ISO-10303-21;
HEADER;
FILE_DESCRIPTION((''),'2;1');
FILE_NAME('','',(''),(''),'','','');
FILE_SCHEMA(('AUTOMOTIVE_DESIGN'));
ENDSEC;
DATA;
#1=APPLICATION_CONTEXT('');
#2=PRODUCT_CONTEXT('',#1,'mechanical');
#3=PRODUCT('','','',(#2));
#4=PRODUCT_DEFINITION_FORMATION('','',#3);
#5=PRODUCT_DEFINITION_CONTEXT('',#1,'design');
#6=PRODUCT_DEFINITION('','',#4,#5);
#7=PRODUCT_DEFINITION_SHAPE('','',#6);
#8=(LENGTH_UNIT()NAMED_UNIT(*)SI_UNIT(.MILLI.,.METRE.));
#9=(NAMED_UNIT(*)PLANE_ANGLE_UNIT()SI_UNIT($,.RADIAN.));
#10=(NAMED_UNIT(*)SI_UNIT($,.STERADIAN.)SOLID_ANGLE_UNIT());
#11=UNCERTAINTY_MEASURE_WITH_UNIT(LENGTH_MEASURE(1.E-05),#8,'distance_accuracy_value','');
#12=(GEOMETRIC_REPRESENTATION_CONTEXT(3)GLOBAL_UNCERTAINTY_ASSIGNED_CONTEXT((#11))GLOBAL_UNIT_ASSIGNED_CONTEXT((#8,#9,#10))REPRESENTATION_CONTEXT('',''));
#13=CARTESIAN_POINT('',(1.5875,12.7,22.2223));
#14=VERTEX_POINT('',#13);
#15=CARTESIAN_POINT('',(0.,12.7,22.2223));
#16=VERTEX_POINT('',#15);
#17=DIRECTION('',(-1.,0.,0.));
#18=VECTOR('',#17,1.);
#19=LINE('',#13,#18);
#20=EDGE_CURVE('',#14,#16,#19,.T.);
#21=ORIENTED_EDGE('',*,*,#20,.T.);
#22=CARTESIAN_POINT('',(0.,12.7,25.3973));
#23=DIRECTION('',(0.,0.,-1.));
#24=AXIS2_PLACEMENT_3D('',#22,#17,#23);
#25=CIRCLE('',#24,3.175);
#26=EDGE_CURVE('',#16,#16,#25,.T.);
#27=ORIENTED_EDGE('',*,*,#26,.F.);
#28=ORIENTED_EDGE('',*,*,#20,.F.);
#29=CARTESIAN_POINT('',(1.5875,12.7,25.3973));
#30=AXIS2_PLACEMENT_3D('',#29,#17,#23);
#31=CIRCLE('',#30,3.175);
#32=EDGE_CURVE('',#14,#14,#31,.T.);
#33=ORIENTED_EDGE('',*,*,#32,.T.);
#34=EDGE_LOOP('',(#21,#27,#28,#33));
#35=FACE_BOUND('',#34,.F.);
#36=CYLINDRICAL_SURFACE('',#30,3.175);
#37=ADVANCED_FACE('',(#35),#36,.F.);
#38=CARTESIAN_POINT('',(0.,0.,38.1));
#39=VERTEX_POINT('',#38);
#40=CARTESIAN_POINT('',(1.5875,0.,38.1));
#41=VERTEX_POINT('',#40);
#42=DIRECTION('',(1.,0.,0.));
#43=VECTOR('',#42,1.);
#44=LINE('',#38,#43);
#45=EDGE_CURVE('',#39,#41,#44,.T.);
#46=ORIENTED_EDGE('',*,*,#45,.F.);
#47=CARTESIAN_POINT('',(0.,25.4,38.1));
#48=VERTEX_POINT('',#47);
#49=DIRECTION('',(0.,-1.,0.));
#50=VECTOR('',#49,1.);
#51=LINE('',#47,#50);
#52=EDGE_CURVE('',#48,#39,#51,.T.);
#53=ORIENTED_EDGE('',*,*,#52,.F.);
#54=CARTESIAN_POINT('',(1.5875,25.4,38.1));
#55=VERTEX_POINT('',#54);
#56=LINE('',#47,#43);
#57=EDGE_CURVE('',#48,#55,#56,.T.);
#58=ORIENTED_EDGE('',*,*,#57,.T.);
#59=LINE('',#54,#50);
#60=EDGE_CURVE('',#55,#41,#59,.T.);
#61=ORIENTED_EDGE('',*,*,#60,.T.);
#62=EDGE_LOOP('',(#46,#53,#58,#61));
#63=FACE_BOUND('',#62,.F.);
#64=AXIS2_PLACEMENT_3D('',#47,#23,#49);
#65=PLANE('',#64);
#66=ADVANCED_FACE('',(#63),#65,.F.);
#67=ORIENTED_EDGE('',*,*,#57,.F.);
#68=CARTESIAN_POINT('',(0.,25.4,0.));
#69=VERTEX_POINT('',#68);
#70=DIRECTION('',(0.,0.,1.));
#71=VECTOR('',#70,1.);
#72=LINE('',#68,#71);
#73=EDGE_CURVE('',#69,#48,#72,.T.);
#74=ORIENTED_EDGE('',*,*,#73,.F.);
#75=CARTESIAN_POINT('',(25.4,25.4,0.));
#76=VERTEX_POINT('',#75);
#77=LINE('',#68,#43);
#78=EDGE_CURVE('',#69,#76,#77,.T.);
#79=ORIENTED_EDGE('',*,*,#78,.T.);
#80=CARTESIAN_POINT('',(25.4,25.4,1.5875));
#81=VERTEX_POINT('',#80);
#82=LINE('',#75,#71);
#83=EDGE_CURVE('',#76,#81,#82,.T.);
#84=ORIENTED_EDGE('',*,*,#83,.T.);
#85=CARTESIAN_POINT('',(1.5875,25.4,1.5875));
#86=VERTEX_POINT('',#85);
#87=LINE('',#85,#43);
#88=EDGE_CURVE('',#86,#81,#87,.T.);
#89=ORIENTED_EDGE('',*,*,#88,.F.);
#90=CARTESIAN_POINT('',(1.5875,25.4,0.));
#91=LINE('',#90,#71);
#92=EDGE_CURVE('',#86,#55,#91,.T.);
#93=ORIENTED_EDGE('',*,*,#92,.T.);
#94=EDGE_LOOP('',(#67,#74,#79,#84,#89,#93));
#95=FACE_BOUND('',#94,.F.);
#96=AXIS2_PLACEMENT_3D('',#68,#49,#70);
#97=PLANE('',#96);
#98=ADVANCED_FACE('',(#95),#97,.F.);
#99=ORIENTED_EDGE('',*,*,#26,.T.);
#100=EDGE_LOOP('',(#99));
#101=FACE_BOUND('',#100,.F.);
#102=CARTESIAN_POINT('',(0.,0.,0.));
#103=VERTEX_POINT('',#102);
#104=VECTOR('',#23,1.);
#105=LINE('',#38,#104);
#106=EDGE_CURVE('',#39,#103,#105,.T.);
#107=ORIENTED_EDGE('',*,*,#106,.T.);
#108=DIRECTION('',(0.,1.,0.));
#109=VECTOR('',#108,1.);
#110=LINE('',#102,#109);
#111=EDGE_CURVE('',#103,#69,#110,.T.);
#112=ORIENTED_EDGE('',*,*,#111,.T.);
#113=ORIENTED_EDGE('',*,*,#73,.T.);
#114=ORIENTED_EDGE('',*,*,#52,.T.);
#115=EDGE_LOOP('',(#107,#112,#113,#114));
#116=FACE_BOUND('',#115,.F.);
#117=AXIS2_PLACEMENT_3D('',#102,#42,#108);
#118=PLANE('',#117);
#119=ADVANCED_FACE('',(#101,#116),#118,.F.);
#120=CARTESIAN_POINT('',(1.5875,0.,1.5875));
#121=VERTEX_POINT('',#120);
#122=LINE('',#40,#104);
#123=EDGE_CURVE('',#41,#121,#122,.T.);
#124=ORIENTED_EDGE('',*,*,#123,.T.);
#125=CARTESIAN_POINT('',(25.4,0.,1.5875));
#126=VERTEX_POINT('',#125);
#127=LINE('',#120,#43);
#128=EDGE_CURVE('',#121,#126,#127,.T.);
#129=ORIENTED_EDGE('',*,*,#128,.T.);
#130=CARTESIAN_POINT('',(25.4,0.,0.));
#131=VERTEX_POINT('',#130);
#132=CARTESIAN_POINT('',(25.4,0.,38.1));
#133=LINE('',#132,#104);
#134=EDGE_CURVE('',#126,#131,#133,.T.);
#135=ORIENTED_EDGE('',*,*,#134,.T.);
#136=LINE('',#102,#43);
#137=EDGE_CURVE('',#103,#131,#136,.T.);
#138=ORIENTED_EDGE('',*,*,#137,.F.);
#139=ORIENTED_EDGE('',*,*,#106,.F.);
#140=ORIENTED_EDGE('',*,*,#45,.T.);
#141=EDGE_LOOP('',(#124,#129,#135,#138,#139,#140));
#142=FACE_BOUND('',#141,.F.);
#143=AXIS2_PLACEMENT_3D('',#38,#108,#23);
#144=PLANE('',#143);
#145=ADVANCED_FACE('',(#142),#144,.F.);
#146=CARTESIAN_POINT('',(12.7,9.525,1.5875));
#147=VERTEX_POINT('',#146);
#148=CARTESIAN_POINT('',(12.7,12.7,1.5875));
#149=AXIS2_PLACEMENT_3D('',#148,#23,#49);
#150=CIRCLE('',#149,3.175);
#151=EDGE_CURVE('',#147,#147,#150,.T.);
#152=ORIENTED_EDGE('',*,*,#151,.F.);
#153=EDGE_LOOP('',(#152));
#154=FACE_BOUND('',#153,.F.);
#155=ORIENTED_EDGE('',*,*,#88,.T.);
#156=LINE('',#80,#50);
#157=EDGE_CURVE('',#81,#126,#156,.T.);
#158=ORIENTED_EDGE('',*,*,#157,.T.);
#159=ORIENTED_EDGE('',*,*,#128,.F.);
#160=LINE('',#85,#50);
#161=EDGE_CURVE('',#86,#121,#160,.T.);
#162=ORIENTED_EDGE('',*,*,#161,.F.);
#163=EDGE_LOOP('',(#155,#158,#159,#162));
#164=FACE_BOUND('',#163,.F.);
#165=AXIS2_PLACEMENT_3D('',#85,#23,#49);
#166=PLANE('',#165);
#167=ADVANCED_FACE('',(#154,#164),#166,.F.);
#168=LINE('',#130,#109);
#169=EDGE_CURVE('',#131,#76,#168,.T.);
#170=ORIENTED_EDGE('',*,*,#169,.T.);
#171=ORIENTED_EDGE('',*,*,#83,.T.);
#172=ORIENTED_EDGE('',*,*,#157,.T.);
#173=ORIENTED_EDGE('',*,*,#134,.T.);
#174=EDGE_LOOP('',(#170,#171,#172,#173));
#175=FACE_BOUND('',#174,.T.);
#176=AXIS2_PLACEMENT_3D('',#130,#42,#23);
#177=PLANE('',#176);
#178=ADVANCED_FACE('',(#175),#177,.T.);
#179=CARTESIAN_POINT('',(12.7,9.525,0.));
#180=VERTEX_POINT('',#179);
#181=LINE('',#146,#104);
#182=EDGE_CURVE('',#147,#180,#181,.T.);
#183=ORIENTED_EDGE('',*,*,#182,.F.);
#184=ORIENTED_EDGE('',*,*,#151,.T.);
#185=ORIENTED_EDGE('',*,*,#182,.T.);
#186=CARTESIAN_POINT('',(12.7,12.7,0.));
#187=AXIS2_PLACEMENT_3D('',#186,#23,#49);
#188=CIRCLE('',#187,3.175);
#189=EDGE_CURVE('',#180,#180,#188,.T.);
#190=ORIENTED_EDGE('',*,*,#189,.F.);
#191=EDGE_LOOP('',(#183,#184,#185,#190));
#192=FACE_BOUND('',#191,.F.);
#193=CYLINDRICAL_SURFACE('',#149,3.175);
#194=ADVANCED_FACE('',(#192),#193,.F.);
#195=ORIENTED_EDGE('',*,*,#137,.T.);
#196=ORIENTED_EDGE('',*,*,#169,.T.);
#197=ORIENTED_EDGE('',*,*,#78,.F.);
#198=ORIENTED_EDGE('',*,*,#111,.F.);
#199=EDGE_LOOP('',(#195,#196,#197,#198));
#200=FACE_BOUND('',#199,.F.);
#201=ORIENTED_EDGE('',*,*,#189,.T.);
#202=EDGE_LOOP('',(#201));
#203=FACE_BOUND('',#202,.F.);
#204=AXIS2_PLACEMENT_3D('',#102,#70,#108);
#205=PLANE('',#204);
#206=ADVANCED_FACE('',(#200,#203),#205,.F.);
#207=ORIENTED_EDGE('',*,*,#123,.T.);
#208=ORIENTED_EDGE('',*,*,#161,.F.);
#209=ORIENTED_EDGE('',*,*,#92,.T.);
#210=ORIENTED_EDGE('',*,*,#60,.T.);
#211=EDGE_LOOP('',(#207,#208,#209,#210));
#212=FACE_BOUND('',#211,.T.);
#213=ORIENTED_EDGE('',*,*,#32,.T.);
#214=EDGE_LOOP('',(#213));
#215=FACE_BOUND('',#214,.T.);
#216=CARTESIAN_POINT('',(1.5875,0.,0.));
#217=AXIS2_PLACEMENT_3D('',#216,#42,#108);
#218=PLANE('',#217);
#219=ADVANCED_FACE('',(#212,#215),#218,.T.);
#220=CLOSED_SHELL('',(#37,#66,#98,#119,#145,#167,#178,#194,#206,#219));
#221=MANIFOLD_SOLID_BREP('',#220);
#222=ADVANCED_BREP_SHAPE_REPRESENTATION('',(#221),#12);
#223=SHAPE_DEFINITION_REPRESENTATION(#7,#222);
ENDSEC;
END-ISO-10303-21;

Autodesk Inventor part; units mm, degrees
ref_plane "YZ Plane" through (0, 0, 0) normal (1, 0, 0) x (0, 1, 0)
ref_plane "XZ Plane" through (0, 0, 0) normal (0, 1, 0) x (-1, 0, 0)
ref_plane "XY Plane" through (0, 0, 0) normal (0, 0, 1) x (1, 0, 0)
sketch "Sketch1" plane through (0, 0, 0) normal (1, 0, 0) x (0, 1, 0)
  line L0 (0, 0) -> (25.4, 0)
  line L1 (25.4, 0) -> (25.4, 38.1)
  line L2 (25.4, 38.1) -> (0, 38.1)
  line L3 (0, 38.1) -> (0, 0)
  dimension "d0" = 25.4
  dimension "d1" = 38.1
extrude "Extrusion1" add sketch "Sketch1" along normal blind 1.5875
sketch "Sketch2" plane through (1.5875, 0, 0) normal (1, 0, 0) x (0, 0, -1)
  line L0 (-38.1, 0) -> (0, 0) projected
  line L1 (0, 25.4) -> (-1.5875, 25.4)
  line L2 (-1.5875, 25.4) -> (-1.5875, 0)
  line L3 (-1.5875, 0) -> (0, 0)
  line L4 (0, 0) -> (0, 25.4)
  dimension "d4" = 1.5875
extrude "Extrusion2" add sketch "Sketch2" along normal blind 23.8125
sketch "Sketch3" plane through (1.5875, 0, 0) normal (1, 0, 0) x (0, 0, -1)
  line L0 (-1.5875, 25.4) -> (-38.1, 25.4) projected
  line L1 (-38.1, 25.4) -> (-38.1, 0) projected
  point P0 (0, 0)
  point P1 (-25.3973, 12.7)
  dimension "d8" = 12.7027
  dimension "d9" = 12.7
hole "Hole1" at (1.5875, 12.7, 25.3973) direction (-1, 0, 0) diameter 6.35 end through all
sketch "Sketch4" plane through (1.5875, 0, 1.5875) normal (0, 0, 1) x (1, 0, 0)
  line L0 (23.8125, 25.4) -> (23.8125, 0) projected
  line L1 (0, 25.4) -> (23.8125, 25.4) projected
  point P0 (-1.5875, 0)
  point P1 (11.1125, 12.7)
  dimension "d17" = 12.7
  dimension "d18" = 12.7
hole "Hole2" at (12.7, 12.7, 1.5875) direction (0, 0, -1) diameter 6.35 end through all
properties part number "LBrace" material "Aluminum 6061"
